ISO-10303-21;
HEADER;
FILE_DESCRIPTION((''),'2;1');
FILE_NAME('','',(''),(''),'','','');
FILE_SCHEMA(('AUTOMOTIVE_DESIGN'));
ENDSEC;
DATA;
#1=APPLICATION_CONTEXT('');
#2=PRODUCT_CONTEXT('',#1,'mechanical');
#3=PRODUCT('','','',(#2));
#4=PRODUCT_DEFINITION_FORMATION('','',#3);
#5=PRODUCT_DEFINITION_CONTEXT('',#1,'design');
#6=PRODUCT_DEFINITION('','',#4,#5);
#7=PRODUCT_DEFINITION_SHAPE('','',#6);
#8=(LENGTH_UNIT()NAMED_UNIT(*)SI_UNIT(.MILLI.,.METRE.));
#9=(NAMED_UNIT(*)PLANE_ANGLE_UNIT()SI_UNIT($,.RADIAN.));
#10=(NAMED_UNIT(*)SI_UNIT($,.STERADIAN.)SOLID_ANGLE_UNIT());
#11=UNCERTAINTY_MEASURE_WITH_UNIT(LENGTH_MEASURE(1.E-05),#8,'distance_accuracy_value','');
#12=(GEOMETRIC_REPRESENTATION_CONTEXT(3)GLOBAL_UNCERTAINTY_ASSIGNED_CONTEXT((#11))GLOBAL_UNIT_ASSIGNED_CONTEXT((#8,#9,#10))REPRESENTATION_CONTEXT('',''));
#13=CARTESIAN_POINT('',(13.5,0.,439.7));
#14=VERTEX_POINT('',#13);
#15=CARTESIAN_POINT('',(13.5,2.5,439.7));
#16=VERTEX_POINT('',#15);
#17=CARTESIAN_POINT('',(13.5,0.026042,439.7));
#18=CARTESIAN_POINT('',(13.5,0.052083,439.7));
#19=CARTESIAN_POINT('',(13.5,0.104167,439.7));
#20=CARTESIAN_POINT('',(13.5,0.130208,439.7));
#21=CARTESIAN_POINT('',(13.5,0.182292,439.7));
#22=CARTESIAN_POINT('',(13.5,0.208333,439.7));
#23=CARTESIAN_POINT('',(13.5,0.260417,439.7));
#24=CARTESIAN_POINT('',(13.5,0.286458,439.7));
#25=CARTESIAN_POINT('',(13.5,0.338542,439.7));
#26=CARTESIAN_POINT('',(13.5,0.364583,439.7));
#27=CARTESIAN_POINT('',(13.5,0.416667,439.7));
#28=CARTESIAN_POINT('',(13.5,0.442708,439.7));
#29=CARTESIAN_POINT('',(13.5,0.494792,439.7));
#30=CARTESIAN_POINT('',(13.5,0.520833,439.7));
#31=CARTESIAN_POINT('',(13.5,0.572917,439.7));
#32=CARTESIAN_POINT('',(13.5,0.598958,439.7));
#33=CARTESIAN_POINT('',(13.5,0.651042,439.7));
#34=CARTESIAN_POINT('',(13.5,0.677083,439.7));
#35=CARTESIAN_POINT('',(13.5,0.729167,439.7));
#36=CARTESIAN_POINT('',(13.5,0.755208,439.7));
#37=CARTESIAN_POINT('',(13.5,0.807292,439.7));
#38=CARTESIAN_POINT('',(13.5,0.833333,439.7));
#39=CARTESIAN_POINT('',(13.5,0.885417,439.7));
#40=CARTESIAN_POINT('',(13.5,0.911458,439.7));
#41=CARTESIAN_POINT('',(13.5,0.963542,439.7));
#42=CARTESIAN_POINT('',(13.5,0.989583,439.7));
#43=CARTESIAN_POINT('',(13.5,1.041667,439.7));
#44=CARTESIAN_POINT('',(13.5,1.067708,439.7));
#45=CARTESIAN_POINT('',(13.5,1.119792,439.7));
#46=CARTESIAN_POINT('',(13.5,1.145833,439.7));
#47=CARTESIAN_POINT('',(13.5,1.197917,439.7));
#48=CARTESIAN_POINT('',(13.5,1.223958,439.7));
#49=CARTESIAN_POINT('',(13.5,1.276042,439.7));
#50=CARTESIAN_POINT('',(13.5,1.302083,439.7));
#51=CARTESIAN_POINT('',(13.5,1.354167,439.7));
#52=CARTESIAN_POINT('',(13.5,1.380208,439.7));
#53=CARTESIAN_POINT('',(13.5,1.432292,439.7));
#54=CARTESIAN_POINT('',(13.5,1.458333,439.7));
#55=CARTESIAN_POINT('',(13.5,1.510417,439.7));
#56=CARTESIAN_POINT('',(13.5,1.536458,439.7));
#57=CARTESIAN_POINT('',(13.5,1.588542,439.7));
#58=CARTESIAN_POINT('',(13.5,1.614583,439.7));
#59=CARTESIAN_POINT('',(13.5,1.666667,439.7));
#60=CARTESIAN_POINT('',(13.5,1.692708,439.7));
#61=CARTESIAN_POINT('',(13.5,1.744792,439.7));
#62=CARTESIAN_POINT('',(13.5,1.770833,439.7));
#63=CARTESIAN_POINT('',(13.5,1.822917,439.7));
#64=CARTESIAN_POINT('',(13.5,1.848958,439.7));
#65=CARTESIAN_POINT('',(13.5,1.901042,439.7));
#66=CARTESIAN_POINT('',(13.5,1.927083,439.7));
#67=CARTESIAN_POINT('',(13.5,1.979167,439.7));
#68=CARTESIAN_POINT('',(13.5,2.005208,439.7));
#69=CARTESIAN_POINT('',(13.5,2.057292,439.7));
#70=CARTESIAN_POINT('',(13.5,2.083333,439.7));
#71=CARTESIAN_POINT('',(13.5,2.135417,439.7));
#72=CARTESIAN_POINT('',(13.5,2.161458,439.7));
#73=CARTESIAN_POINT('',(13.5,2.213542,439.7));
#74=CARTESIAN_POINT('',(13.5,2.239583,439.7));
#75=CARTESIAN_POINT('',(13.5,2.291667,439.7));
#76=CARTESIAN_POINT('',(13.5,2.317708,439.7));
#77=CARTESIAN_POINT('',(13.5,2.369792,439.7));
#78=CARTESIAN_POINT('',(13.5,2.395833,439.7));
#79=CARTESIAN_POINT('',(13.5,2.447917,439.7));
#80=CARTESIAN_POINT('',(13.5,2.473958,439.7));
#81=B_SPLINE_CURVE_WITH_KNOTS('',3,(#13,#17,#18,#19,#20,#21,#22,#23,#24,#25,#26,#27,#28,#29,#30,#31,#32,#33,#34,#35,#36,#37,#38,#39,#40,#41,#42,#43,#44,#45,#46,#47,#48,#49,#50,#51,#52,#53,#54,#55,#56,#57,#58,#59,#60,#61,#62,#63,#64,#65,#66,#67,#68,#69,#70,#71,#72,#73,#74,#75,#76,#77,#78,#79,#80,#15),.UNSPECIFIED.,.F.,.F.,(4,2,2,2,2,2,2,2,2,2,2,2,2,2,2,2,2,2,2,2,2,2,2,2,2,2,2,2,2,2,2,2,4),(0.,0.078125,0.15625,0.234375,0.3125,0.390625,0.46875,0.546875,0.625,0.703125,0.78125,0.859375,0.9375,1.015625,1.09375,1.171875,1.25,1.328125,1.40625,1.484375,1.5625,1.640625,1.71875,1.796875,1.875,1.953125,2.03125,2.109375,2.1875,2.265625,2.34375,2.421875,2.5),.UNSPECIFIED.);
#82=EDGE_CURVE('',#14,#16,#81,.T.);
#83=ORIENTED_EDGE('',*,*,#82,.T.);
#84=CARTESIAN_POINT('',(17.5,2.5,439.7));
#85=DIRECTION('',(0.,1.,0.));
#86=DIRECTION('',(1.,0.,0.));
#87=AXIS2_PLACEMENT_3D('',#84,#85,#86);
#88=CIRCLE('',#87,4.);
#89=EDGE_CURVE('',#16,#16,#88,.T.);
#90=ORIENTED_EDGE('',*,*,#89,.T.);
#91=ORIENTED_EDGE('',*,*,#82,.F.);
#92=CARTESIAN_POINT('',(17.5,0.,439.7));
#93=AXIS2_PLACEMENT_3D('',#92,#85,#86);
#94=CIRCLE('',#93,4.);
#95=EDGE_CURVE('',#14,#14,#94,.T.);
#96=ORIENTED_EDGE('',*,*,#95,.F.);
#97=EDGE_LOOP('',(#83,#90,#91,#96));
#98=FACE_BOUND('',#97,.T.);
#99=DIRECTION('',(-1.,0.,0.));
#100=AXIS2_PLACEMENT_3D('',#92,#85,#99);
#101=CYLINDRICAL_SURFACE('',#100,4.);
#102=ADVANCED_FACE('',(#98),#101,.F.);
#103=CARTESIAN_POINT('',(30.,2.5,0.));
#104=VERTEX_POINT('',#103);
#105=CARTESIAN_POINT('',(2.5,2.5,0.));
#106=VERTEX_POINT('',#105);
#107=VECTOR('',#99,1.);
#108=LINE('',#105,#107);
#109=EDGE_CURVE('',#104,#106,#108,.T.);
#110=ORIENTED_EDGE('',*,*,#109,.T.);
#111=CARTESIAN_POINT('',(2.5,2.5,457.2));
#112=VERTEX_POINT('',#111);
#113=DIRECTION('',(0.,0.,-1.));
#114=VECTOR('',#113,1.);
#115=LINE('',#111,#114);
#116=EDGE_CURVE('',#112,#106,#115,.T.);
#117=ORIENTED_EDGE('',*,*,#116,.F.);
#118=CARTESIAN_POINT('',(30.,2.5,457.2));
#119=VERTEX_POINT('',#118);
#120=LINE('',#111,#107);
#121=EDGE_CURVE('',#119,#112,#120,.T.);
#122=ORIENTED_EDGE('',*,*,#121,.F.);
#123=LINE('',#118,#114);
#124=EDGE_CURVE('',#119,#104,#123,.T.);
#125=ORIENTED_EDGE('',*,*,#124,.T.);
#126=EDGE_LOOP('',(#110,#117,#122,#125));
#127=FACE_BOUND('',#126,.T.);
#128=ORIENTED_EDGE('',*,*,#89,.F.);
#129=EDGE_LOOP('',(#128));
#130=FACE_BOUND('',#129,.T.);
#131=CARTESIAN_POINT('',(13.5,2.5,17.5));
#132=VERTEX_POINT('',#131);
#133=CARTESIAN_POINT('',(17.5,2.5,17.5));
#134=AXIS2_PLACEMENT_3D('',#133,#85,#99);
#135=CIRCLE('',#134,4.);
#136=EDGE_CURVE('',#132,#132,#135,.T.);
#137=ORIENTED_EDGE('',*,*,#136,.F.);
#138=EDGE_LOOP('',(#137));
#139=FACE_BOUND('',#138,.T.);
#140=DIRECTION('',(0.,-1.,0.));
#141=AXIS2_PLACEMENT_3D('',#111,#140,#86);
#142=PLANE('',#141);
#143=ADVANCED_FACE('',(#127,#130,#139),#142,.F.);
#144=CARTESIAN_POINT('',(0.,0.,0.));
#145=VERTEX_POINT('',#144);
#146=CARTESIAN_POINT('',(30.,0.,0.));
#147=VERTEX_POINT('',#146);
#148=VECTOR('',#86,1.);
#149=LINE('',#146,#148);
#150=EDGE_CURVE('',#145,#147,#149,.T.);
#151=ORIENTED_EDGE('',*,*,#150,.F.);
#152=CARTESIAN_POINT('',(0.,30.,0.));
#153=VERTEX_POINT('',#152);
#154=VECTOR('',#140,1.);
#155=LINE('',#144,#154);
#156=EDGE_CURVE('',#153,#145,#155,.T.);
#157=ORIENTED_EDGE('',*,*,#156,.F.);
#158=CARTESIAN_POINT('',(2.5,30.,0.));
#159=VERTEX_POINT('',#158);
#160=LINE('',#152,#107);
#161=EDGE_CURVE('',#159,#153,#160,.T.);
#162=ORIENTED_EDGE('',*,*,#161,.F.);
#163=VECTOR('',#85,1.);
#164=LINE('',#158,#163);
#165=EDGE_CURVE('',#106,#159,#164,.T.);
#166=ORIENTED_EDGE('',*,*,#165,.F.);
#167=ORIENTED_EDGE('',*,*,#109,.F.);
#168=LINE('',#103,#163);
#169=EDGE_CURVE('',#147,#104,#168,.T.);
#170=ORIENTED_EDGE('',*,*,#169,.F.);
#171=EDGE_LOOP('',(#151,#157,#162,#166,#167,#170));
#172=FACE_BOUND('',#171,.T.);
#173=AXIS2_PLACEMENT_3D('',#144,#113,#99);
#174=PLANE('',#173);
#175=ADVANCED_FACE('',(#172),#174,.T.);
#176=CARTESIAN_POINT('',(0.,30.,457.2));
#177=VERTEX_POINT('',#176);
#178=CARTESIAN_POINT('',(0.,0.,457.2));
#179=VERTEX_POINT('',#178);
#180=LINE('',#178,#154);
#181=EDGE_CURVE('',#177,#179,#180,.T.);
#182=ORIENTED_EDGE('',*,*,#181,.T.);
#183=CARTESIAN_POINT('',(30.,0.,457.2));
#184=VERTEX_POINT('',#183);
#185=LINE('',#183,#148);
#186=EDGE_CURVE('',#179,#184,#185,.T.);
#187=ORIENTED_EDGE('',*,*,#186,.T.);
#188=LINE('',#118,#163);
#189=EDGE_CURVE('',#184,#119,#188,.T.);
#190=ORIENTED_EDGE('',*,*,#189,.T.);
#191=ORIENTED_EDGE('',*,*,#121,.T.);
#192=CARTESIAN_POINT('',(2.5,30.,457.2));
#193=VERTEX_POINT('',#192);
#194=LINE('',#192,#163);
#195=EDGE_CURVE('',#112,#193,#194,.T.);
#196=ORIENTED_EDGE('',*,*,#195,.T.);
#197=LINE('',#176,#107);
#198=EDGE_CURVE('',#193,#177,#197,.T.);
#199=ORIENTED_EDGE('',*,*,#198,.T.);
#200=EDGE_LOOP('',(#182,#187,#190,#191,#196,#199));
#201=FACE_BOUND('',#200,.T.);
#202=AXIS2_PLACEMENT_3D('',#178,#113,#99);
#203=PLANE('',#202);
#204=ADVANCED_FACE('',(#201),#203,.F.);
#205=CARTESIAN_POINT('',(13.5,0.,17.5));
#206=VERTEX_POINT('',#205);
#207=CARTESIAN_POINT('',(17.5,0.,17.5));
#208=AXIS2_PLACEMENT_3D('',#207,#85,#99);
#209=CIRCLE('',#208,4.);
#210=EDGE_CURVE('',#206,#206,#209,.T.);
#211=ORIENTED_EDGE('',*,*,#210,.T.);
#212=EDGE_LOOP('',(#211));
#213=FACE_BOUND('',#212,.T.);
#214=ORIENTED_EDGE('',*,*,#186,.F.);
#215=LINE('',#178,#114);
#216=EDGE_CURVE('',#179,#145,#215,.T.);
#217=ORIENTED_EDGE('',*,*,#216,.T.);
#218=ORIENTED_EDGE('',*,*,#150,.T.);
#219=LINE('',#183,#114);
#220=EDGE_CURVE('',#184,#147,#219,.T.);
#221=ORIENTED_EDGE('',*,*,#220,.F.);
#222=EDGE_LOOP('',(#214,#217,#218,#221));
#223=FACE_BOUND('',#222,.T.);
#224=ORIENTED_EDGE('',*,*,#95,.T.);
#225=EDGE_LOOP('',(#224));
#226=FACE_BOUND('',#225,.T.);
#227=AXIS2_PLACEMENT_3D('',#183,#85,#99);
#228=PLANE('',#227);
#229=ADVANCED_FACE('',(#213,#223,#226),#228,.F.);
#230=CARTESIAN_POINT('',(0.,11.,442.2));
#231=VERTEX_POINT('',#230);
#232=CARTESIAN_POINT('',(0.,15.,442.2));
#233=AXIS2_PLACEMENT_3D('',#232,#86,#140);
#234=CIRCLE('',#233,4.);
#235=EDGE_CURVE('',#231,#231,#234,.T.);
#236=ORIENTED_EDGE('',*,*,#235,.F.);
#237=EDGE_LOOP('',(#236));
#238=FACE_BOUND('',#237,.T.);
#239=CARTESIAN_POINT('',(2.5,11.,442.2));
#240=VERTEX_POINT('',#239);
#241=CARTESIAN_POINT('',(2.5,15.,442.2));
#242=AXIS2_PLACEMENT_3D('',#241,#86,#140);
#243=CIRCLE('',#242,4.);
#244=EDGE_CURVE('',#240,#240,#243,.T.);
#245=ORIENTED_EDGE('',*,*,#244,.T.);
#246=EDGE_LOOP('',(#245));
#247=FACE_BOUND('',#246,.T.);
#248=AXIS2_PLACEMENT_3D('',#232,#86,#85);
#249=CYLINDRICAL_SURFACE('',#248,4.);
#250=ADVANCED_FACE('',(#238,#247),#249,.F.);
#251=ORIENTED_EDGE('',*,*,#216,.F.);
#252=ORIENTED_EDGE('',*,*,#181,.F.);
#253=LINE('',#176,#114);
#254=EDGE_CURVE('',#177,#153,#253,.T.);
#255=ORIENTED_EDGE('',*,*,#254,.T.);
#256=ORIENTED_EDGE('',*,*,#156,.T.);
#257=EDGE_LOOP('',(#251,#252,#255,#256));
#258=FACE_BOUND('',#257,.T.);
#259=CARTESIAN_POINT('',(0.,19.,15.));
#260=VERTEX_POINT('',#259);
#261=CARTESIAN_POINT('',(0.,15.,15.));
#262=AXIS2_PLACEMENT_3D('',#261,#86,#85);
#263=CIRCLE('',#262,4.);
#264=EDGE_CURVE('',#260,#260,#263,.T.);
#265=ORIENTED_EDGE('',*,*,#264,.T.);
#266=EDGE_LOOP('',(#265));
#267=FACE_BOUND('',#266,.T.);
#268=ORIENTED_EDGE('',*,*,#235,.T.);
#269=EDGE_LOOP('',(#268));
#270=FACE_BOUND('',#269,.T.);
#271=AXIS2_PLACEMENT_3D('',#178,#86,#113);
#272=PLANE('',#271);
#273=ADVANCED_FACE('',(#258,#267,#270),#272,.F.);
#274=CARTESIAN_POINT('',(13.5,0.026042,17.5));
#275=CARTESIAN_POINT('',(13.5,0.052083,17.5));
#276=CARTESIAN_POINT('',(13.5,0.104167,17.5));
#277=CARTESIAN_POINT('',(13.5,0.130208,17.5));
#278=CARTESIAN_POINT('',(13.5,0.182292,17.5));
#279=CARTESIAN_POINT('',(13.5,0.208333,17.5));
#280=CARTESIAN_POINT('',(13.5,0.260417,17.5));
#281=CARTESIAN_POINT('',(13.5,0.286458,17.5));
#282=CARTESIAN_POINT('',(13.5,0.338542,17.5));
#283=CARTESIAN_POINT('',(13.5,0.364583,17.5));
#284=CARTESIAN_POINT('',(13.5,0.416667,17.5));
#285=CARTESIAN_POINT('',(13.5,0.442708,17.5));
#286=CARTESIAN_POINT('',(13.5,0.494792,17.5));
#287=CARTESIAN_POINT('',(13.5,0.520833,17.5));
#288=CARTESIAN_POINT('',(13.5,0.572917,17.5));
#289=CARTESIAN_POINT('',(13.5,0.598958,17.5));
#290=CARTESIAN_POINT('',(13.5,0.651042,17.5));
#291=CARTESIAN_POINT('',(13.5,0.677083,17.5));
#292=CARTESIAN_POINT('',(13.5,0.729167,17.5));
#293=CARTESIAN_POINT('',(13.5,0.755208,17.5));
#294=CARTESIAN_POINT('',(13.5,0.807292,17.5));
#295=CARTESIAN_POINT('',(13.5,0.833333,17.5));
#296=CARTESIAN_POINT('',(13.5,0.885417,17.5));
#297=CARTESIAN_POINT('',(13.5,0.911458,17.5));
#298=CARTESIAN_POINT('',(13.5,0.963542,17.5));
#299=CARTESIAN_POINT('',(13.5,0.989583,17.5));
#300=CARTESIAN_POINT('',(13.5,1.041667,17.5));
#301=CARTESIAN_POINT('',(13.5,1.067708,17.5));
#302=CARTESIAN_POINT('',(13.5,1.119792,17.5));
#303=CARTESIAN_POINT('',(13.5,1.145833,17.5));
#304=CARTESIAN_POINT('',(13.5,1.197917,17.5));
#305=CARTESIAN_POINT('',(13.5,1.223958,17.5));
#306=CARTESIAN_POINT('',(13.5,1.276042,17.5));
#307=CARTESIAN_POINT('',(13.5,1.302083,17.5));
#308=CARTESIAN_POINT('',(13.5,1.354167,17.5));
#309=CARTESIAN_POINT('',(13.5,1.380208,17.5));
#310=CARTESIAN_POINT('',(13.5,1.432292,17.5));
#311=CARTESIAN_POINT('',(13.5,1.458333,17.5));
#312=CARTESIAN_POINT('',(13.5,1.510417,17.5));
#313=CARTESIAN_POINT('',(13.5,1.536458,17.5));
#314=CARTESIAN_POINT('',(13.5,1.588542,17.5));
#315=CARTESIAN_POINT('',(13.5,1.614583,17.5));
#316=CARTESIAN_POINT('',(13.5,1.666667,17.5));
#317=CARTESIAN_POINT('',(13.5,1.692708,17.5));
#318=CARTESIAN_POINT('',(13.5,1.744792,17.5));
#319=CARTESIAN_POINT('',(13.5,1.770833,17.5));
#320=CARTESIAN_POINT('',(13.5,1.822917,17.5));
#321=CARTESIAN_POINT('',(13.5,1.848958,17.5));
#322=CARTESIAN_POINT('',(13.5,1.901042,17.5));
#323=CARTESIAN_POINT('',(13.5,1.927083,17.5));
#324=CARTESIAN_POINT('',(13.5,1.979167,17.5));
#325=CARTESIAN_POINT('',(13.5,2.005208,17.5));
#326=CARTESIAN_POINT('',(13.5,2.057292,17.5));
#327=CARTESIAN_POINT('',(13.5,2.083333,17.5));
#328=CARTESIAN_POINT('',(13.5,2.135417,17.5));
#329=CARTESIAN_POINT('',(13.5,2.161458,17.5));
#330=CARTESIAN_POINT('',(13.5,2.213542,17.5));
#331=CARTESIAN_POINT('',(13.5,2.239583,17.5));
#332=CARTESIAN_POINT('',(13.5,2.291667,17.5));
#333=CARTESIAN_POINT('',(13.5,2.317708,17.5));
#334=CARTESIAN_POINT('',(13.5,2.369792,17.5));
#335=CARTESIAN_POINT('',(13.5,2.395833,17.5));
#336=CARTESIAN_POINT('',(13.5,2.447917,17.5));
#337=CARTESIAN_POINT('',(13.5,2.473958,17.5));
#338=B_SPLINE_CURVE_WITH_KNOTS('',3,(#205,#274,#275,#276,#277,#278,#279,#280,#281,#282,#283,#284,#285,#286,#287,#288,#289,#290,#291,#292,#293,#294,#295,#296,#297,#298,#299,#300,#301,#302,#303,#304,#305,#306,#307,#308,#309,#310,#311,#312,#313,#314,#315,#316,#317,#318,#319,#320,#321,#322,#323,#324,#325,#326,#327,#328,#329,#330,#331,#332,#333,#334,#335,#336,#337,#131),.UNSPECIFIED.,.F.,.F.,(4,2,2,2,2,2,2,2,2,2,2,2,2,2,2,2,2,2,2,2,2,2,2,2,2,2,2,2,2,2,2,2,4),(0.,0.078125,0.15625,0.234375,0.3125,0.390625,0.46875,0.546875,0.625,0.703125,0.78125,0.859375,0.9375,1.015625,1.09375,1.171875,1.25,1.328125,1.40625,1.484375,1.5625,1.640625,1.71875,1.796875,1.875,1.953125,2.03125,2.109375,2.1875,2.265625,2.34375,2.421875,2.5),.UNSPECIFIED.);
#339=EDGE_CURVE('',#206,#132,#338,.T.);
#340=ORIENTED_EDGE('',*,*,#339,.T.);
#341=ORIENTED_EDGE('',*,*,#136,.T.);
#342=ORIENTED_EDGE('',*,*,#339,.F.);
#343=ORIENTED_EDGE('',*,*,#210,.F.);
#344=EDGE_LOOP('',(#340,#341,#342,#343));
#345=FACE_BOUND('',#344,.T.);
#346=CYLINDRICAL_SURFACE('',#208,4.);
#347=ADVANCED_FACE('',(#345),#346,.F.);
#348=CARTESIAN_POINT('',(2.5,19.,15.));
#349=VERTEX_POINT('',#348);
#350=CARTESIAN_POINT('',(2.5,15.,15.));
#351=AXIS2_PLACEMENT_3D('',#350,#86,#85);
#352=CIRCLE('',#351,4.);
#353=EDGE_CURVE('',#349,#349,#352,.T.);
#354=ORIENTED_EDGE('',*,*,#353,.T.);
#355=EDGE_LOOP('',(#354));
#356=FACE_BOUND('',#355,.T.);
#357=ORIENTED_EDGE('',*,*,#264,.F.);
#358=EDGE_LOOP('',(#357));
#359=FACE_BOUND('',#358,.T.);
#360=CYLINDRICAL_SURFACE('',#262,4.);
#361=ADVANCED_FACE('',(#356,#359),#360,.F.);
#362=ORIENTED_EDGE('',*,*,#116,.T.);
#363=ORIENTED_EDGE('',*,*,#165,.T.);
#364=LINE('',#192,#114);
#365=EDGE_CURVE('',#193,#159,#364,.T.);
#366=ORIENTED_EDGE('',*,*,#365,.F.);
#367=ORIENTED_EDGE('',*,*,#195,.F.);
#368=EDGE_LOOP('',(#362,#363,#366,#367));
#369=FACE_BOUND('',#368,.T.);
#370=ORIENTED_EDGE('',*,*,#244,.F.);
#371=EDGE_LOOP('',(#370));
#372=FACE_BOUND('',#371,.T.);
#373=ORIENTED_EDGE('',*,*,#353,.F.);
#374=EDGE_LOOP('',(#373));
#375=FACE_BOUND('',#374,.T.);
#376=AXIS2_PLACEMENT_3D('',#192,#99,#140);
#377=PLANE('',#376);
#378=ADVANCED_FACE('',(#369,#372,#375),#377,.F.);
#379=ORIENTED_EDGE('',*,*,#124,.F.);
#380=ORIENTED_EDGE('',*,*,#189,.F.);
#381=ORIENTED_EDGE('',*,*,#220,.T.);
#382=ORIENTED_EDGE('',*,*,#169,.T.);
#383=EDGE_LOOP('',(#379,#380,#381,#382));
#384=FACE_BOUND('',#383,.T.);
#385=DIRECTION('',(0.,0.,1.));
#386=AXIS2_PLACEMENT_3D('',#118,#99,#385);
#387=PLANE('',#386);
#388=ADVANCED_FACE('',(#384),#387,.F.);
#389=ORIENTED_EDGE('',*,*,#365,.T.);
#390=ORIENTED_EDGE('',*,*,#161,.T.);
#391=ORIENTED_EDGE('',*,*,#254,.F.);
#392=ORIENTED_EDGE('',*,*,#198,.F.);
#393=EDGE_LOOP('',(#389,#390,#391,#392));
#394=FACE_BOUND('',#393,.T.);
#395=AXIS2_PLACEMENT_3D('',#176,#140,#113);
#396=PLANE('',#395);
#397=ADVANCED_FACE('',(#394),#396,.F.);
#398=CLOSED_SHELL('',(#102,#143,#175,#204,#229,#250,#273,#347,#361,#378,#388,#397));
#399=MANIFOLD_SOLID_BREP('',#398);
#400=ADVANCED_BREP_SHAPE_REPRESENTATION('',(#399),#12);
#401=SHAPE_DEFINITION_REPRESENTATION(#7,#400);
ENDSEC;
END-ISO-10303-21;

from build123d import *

# Parameters (mm, degrees)
BOSS_EXTRUDE1_DEPTH = 457.2
SKETCH2_R           = 4
CUT_EXTRUDE1_DEPTH  = 460.007723247
SKETCH3_R           = 4
CUT_EXTRUDE2_DEPTH  = 460.007723247


with BuildPart() as part:
    # Sketch1 → Boss-Extrude1 (new body)
    with BuildSketch(Plane.XY):
        Polygon((0, 0), (0, 30), (2.5, 30), (2.5, 2.5), (30, 2.5), (30, 0), align=None)
    extrude(amount=BOSS_EXTRUDE1_DEPTH)

    # Sketch2 → Cut-Extrude1 (cut, through all)
    with BuildSketch(Plane(origin=(0, 2.5, 0), x_dir=(1, 0, 0), z_dir=(0, 1, 0))):
        with Locations(Location((17.5, -17.5, 0), (0, 0, 180))):
            Circle(SKETCH2_R)
        with Locations(Location((17.5, -439.7, 0), (0, 0, 180))):
            Circle(SKETCH2_R)
    extrude(amount=-CUT_EXTRUDE1_DEPTH, mode=Mode.SUBTRACT)

    # Sketch3 → Cut-Extrude2 (cut, through all)
    with BuildSketch(Plane(origin=(2.5, 0, 0), x_dir=(0, 0, -1), z_dir=(1, 0, 0))):
        with Locations(Location((-15, 15, 0), (0, 0, 90))):
            Circle(SKETCH3_R)
        with Locations(Location((-442.2, 15, 0), (0, 0, 270))):
            Circle(SKETCH3_R)
    extrude(amount=-CUT_EXTRUDE2_DEPTH, mode=Mode.SUBTRACT)


solid = part.part
